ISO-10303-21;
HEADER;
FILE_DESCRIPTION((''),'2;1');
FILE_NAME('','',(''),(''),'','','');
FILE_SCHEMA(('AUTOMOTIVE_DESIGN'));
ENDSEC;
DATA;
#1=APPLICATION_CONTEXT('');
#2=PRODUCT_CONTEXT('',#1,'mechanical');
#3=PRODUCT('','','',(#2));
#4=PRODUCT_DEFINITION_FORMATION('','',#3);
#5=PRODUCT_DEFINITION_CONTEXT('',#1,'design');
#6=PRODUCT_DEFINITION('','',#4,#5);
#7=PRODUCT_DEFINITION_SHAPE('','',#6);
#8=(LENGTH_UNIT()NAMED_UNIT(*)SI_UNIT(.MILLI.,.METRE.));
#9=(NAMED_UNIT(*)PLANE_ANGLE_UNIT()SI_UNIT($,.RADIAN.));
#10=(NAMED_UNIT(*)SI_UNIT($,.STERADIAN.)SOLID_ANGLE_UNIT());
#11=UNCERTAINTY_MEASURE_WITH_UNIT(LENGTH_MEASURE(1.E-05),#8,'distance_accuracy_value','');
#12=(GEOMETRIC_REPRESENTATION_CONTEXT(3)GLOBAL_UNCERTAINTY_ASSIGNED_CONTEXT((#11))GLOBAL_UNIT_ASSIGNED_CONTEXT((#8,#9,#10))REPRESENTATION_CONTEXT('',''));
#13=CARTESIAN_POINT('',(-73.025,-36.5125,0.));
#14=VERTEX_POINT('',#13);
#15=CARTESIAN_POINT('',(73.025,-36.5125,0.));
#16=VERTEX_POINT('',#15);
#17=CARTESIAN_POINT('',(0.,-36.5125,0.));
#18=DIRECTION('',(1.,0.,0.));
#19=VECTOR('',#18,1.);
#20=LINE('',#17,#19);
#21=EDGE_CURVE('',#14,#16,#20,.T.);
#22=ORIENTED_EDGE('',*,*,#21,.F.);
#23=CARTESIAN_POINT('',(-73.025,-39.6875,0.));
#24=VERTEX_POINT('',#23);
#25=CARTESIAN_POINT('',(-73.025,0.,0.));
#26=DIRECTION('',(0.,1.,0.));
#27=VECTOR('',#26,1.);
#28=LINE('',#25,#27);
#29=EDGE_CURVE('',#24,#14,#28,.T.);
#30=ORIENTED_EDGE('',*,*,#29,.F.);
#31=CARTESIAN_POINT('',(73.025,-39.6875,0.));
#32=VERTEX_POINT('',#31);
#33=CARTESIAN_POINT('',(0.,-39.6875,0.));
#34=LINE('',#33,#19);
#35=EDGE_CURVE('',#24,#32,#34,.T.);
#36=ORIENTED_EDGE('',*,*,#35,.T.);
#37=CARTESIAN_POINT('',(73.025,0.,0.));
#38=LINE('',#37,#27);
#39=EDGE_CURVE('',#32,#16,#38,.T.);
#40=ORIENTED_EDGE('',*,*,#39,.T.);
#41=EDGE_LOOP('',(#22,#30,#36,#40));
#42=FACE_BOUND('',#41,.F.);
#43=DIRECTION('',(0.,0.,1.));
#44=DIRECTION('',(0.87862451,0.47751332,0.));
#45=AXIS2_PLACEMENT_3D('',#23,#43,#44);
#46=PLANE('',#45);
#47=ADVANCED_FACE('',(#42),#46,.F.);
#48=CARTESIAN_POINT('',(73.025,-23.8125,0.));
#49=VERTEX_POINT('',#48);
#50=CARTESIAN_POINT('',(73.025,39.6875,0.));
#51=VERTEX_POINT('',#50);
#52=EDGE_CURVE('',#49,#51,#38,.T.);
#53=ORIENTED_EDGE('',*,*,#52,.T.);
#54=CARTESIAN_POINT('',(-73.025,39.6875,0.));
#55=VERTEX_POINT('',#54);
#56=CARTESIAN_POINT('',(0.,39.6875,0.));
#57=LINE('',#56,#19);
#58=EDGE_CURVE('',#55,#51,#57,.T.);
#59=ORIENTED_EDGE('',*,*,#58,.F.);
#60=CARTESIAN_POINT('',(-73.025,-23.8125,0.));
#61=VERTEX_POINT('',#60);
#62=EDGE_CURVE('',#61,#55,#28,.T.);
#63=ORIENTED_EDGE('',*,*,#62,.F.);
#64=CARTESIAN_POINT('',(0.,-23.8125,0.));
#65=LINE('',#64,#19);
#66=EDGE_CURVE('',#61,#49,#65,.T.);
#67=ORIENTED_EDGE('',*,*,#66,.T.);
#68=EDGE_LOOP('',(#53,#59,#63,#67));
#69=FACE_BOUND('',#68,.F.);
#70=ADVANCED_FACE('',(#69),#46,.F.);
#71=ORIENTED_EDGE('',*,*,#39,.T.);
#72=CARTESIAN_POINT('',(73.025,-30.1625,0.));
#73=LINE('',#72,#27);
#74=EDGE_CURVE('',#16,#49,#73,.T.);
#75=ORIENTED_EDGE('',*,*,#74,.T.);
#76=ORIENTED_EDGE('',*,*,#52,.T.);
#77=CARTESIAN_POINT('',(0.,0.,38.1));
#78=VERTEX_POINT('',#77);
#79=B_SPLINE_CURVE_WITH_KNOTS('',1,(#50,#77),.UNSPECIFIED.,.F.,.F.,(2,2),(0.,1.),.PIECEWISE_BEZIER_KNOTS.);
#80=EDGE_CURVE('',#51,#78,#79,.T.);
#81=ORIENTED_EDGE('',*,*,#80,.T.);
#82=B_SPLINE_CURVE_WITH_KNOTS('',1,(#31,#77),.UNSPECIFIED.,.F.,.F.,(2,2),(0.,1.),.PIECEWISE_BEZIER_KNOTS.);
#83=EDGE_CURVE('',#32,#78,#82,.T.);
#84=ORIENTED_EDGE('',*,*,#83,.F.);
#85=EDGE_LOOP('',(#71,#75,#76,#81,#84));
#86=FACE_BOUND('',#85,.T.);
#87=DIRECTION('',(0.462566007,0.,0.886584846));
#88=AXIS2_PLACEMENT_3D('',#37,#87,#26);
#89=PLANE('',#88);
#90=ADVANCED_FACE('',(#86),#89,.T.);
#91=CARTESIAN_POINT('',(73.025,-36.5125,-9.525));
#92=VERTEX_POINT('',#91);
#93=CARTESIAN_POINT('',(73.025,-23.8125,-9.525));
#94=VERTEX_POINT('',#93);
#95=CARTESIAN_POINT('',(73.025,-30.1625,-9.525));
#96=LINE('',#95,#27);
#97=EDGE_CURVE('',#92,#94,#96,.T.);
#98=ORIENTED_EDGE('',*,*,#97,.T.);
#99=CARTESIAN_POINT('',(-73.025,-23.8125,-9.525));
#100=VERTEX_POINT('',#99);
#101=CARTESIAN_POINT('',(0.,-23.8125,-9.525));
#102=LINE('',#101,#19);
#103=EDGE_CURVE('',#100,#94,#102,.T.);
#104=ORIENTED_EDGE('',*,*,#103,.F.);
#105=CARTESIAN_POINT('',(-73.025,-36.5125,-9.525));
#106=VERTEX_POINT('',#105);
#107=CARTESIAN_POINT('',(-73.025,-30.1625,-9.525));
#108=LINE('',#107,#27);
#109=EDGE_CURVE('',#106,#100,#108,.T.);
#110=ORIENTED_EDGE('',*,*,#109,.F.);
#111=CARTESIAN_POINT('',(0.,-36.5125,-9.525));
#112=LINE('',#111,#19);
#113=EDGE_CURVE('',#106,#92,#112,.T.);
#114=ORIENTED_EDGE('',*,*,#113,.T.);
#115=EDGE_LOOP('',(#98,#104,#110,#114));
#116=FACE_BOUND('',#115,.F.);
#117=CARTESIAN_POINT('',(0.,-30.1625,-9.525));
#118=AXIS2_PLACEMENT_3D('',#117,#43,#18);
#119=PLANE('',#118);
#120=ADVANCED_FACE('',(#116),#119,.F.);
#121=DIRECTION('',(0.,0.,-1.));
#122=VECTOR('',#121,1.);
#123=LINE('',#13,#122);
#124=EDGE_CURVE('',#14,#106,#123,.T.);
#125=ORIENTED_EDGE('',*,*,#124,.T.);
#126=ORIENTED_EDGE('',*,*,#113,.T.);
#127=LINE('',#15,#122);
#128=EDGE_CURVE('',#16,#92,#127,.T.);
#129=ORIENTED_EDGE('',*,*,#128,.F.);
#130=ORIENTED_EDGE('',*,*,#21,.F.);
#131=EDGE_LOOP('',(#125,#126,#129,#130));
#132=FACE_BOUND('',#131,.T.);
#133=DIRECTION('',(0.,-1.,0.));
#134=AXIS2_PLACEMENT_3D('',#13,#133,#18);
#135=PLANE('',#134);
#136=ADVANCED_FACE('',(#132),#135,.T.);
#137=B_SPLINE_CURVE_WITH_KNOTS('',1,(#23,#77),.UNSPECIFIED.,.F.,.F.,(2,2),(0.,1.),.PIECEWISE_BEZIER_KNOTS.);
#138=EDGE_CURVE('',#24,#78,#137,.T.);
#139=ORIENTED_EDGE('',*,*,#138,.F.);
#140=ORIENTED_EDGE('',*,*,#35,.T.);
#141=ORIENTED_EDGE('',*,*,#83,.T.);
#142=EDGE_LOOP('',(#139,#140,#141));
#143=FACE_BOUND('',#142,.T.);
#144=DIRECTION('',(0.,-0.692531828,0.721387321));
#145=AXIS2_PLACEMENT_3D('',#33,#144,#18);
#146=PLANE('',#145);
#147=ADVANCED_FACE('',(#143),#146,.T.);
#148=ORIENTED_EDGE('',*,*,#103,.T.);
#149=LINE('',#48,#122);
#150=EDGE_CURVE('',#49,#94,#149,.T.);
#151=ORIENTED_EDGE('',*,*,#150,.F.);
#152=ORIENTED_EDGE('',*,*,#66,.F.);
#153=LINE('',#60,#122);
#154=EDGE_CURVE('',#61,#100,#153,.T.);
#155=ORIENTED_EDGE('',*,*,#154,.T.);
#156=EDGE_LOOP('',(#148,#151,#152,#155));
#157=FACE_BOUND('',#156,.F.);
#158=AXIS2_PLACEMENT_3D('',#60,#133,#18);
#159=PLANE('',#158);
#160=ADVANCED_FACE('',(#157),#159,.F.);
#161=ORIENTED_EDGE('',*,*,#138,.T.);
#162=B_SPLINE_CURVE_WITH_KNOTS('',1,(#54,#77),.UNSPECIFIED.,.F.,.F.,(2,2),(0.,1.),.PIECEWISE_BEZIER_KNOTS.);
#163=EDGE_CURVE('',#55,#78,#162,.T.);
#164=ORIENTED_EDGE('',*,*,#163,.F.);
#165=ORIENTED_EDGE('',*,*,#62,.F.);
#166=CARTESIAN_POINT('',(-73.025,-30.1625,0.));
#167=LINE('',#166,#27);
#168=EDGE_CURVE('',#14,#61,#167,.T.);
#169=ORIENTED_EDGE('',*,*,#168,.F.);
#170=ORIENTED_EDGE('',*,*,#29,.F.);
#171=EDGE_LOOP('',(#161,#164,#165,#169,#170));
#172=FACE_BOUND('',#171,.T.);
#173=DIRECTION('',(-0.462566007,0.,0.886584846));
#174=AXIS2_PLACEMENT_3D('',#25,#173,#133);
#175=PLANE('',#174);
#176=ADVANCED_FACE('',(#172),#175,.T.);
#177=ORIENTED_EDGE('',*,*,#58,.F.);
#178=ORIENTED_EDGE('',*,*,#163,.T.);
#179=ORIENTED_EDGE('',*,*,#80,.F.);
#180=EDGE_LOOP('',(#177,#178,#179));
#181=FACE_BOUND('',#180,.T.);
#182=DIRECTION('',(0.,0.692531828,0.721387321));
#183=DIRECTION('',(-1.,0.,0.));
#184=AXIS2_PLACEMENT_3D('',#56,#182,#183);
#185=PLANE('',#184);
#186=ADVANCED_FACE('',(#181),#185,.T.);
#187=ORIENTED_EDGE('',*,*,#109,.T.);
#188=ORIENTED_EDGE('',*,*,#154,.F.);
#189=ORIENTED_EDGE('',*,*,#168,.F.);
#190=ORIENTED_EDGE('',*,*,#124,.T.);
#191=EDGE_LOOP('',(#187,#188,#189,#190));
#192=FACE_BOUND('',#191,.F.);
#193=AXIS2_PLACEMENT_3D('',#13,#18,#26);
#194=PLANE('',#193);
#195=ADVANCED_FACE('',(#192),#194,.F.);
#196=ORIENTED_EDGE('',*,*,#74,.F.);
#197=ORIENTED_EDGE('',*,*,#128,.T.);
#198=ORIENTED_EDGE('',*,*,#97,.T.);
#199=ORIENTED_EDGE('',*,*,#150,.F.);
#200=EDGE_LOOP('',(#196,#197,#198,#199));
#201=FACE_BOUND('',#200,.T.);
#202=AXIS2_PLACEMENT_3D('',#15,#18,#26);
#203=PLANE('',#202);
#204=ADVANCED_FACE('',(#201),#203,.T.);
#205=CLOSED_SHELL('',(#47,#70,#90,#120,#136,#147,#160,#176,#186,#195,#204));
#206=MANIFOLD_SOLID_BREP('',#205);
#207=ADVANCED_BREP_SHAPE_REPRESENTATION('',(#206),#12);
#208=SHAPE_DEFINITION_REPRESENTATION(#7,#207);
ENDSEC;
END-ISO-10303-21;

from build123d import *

# Parameters (mm, degrees)
F0_W     = 146.05
F0_H     = 79.375
F5_W     = 146.05
F5_H     = 12.7
F6_DEPTH = 9.525


with BuildPart() as f3:
    # F0 (on Top) → F3 section 0
    with BuildSketch(Plane.XY, mode=Mode.PRIVATE) as f3_s0:
        Rectangle(F0_W, F0_H)
    loft([f3_s0.sketch, Vertex(0, 0, 38.1)])

    # F5 (on offset) → F6 (join)
    with BuildSketch(Plane.XY):
        with Locations((0, -30.1625)):
            Rectangle(F5_W, F5_H)
    extrude(amount=-F6_DEPTH)


solid = f3.part
